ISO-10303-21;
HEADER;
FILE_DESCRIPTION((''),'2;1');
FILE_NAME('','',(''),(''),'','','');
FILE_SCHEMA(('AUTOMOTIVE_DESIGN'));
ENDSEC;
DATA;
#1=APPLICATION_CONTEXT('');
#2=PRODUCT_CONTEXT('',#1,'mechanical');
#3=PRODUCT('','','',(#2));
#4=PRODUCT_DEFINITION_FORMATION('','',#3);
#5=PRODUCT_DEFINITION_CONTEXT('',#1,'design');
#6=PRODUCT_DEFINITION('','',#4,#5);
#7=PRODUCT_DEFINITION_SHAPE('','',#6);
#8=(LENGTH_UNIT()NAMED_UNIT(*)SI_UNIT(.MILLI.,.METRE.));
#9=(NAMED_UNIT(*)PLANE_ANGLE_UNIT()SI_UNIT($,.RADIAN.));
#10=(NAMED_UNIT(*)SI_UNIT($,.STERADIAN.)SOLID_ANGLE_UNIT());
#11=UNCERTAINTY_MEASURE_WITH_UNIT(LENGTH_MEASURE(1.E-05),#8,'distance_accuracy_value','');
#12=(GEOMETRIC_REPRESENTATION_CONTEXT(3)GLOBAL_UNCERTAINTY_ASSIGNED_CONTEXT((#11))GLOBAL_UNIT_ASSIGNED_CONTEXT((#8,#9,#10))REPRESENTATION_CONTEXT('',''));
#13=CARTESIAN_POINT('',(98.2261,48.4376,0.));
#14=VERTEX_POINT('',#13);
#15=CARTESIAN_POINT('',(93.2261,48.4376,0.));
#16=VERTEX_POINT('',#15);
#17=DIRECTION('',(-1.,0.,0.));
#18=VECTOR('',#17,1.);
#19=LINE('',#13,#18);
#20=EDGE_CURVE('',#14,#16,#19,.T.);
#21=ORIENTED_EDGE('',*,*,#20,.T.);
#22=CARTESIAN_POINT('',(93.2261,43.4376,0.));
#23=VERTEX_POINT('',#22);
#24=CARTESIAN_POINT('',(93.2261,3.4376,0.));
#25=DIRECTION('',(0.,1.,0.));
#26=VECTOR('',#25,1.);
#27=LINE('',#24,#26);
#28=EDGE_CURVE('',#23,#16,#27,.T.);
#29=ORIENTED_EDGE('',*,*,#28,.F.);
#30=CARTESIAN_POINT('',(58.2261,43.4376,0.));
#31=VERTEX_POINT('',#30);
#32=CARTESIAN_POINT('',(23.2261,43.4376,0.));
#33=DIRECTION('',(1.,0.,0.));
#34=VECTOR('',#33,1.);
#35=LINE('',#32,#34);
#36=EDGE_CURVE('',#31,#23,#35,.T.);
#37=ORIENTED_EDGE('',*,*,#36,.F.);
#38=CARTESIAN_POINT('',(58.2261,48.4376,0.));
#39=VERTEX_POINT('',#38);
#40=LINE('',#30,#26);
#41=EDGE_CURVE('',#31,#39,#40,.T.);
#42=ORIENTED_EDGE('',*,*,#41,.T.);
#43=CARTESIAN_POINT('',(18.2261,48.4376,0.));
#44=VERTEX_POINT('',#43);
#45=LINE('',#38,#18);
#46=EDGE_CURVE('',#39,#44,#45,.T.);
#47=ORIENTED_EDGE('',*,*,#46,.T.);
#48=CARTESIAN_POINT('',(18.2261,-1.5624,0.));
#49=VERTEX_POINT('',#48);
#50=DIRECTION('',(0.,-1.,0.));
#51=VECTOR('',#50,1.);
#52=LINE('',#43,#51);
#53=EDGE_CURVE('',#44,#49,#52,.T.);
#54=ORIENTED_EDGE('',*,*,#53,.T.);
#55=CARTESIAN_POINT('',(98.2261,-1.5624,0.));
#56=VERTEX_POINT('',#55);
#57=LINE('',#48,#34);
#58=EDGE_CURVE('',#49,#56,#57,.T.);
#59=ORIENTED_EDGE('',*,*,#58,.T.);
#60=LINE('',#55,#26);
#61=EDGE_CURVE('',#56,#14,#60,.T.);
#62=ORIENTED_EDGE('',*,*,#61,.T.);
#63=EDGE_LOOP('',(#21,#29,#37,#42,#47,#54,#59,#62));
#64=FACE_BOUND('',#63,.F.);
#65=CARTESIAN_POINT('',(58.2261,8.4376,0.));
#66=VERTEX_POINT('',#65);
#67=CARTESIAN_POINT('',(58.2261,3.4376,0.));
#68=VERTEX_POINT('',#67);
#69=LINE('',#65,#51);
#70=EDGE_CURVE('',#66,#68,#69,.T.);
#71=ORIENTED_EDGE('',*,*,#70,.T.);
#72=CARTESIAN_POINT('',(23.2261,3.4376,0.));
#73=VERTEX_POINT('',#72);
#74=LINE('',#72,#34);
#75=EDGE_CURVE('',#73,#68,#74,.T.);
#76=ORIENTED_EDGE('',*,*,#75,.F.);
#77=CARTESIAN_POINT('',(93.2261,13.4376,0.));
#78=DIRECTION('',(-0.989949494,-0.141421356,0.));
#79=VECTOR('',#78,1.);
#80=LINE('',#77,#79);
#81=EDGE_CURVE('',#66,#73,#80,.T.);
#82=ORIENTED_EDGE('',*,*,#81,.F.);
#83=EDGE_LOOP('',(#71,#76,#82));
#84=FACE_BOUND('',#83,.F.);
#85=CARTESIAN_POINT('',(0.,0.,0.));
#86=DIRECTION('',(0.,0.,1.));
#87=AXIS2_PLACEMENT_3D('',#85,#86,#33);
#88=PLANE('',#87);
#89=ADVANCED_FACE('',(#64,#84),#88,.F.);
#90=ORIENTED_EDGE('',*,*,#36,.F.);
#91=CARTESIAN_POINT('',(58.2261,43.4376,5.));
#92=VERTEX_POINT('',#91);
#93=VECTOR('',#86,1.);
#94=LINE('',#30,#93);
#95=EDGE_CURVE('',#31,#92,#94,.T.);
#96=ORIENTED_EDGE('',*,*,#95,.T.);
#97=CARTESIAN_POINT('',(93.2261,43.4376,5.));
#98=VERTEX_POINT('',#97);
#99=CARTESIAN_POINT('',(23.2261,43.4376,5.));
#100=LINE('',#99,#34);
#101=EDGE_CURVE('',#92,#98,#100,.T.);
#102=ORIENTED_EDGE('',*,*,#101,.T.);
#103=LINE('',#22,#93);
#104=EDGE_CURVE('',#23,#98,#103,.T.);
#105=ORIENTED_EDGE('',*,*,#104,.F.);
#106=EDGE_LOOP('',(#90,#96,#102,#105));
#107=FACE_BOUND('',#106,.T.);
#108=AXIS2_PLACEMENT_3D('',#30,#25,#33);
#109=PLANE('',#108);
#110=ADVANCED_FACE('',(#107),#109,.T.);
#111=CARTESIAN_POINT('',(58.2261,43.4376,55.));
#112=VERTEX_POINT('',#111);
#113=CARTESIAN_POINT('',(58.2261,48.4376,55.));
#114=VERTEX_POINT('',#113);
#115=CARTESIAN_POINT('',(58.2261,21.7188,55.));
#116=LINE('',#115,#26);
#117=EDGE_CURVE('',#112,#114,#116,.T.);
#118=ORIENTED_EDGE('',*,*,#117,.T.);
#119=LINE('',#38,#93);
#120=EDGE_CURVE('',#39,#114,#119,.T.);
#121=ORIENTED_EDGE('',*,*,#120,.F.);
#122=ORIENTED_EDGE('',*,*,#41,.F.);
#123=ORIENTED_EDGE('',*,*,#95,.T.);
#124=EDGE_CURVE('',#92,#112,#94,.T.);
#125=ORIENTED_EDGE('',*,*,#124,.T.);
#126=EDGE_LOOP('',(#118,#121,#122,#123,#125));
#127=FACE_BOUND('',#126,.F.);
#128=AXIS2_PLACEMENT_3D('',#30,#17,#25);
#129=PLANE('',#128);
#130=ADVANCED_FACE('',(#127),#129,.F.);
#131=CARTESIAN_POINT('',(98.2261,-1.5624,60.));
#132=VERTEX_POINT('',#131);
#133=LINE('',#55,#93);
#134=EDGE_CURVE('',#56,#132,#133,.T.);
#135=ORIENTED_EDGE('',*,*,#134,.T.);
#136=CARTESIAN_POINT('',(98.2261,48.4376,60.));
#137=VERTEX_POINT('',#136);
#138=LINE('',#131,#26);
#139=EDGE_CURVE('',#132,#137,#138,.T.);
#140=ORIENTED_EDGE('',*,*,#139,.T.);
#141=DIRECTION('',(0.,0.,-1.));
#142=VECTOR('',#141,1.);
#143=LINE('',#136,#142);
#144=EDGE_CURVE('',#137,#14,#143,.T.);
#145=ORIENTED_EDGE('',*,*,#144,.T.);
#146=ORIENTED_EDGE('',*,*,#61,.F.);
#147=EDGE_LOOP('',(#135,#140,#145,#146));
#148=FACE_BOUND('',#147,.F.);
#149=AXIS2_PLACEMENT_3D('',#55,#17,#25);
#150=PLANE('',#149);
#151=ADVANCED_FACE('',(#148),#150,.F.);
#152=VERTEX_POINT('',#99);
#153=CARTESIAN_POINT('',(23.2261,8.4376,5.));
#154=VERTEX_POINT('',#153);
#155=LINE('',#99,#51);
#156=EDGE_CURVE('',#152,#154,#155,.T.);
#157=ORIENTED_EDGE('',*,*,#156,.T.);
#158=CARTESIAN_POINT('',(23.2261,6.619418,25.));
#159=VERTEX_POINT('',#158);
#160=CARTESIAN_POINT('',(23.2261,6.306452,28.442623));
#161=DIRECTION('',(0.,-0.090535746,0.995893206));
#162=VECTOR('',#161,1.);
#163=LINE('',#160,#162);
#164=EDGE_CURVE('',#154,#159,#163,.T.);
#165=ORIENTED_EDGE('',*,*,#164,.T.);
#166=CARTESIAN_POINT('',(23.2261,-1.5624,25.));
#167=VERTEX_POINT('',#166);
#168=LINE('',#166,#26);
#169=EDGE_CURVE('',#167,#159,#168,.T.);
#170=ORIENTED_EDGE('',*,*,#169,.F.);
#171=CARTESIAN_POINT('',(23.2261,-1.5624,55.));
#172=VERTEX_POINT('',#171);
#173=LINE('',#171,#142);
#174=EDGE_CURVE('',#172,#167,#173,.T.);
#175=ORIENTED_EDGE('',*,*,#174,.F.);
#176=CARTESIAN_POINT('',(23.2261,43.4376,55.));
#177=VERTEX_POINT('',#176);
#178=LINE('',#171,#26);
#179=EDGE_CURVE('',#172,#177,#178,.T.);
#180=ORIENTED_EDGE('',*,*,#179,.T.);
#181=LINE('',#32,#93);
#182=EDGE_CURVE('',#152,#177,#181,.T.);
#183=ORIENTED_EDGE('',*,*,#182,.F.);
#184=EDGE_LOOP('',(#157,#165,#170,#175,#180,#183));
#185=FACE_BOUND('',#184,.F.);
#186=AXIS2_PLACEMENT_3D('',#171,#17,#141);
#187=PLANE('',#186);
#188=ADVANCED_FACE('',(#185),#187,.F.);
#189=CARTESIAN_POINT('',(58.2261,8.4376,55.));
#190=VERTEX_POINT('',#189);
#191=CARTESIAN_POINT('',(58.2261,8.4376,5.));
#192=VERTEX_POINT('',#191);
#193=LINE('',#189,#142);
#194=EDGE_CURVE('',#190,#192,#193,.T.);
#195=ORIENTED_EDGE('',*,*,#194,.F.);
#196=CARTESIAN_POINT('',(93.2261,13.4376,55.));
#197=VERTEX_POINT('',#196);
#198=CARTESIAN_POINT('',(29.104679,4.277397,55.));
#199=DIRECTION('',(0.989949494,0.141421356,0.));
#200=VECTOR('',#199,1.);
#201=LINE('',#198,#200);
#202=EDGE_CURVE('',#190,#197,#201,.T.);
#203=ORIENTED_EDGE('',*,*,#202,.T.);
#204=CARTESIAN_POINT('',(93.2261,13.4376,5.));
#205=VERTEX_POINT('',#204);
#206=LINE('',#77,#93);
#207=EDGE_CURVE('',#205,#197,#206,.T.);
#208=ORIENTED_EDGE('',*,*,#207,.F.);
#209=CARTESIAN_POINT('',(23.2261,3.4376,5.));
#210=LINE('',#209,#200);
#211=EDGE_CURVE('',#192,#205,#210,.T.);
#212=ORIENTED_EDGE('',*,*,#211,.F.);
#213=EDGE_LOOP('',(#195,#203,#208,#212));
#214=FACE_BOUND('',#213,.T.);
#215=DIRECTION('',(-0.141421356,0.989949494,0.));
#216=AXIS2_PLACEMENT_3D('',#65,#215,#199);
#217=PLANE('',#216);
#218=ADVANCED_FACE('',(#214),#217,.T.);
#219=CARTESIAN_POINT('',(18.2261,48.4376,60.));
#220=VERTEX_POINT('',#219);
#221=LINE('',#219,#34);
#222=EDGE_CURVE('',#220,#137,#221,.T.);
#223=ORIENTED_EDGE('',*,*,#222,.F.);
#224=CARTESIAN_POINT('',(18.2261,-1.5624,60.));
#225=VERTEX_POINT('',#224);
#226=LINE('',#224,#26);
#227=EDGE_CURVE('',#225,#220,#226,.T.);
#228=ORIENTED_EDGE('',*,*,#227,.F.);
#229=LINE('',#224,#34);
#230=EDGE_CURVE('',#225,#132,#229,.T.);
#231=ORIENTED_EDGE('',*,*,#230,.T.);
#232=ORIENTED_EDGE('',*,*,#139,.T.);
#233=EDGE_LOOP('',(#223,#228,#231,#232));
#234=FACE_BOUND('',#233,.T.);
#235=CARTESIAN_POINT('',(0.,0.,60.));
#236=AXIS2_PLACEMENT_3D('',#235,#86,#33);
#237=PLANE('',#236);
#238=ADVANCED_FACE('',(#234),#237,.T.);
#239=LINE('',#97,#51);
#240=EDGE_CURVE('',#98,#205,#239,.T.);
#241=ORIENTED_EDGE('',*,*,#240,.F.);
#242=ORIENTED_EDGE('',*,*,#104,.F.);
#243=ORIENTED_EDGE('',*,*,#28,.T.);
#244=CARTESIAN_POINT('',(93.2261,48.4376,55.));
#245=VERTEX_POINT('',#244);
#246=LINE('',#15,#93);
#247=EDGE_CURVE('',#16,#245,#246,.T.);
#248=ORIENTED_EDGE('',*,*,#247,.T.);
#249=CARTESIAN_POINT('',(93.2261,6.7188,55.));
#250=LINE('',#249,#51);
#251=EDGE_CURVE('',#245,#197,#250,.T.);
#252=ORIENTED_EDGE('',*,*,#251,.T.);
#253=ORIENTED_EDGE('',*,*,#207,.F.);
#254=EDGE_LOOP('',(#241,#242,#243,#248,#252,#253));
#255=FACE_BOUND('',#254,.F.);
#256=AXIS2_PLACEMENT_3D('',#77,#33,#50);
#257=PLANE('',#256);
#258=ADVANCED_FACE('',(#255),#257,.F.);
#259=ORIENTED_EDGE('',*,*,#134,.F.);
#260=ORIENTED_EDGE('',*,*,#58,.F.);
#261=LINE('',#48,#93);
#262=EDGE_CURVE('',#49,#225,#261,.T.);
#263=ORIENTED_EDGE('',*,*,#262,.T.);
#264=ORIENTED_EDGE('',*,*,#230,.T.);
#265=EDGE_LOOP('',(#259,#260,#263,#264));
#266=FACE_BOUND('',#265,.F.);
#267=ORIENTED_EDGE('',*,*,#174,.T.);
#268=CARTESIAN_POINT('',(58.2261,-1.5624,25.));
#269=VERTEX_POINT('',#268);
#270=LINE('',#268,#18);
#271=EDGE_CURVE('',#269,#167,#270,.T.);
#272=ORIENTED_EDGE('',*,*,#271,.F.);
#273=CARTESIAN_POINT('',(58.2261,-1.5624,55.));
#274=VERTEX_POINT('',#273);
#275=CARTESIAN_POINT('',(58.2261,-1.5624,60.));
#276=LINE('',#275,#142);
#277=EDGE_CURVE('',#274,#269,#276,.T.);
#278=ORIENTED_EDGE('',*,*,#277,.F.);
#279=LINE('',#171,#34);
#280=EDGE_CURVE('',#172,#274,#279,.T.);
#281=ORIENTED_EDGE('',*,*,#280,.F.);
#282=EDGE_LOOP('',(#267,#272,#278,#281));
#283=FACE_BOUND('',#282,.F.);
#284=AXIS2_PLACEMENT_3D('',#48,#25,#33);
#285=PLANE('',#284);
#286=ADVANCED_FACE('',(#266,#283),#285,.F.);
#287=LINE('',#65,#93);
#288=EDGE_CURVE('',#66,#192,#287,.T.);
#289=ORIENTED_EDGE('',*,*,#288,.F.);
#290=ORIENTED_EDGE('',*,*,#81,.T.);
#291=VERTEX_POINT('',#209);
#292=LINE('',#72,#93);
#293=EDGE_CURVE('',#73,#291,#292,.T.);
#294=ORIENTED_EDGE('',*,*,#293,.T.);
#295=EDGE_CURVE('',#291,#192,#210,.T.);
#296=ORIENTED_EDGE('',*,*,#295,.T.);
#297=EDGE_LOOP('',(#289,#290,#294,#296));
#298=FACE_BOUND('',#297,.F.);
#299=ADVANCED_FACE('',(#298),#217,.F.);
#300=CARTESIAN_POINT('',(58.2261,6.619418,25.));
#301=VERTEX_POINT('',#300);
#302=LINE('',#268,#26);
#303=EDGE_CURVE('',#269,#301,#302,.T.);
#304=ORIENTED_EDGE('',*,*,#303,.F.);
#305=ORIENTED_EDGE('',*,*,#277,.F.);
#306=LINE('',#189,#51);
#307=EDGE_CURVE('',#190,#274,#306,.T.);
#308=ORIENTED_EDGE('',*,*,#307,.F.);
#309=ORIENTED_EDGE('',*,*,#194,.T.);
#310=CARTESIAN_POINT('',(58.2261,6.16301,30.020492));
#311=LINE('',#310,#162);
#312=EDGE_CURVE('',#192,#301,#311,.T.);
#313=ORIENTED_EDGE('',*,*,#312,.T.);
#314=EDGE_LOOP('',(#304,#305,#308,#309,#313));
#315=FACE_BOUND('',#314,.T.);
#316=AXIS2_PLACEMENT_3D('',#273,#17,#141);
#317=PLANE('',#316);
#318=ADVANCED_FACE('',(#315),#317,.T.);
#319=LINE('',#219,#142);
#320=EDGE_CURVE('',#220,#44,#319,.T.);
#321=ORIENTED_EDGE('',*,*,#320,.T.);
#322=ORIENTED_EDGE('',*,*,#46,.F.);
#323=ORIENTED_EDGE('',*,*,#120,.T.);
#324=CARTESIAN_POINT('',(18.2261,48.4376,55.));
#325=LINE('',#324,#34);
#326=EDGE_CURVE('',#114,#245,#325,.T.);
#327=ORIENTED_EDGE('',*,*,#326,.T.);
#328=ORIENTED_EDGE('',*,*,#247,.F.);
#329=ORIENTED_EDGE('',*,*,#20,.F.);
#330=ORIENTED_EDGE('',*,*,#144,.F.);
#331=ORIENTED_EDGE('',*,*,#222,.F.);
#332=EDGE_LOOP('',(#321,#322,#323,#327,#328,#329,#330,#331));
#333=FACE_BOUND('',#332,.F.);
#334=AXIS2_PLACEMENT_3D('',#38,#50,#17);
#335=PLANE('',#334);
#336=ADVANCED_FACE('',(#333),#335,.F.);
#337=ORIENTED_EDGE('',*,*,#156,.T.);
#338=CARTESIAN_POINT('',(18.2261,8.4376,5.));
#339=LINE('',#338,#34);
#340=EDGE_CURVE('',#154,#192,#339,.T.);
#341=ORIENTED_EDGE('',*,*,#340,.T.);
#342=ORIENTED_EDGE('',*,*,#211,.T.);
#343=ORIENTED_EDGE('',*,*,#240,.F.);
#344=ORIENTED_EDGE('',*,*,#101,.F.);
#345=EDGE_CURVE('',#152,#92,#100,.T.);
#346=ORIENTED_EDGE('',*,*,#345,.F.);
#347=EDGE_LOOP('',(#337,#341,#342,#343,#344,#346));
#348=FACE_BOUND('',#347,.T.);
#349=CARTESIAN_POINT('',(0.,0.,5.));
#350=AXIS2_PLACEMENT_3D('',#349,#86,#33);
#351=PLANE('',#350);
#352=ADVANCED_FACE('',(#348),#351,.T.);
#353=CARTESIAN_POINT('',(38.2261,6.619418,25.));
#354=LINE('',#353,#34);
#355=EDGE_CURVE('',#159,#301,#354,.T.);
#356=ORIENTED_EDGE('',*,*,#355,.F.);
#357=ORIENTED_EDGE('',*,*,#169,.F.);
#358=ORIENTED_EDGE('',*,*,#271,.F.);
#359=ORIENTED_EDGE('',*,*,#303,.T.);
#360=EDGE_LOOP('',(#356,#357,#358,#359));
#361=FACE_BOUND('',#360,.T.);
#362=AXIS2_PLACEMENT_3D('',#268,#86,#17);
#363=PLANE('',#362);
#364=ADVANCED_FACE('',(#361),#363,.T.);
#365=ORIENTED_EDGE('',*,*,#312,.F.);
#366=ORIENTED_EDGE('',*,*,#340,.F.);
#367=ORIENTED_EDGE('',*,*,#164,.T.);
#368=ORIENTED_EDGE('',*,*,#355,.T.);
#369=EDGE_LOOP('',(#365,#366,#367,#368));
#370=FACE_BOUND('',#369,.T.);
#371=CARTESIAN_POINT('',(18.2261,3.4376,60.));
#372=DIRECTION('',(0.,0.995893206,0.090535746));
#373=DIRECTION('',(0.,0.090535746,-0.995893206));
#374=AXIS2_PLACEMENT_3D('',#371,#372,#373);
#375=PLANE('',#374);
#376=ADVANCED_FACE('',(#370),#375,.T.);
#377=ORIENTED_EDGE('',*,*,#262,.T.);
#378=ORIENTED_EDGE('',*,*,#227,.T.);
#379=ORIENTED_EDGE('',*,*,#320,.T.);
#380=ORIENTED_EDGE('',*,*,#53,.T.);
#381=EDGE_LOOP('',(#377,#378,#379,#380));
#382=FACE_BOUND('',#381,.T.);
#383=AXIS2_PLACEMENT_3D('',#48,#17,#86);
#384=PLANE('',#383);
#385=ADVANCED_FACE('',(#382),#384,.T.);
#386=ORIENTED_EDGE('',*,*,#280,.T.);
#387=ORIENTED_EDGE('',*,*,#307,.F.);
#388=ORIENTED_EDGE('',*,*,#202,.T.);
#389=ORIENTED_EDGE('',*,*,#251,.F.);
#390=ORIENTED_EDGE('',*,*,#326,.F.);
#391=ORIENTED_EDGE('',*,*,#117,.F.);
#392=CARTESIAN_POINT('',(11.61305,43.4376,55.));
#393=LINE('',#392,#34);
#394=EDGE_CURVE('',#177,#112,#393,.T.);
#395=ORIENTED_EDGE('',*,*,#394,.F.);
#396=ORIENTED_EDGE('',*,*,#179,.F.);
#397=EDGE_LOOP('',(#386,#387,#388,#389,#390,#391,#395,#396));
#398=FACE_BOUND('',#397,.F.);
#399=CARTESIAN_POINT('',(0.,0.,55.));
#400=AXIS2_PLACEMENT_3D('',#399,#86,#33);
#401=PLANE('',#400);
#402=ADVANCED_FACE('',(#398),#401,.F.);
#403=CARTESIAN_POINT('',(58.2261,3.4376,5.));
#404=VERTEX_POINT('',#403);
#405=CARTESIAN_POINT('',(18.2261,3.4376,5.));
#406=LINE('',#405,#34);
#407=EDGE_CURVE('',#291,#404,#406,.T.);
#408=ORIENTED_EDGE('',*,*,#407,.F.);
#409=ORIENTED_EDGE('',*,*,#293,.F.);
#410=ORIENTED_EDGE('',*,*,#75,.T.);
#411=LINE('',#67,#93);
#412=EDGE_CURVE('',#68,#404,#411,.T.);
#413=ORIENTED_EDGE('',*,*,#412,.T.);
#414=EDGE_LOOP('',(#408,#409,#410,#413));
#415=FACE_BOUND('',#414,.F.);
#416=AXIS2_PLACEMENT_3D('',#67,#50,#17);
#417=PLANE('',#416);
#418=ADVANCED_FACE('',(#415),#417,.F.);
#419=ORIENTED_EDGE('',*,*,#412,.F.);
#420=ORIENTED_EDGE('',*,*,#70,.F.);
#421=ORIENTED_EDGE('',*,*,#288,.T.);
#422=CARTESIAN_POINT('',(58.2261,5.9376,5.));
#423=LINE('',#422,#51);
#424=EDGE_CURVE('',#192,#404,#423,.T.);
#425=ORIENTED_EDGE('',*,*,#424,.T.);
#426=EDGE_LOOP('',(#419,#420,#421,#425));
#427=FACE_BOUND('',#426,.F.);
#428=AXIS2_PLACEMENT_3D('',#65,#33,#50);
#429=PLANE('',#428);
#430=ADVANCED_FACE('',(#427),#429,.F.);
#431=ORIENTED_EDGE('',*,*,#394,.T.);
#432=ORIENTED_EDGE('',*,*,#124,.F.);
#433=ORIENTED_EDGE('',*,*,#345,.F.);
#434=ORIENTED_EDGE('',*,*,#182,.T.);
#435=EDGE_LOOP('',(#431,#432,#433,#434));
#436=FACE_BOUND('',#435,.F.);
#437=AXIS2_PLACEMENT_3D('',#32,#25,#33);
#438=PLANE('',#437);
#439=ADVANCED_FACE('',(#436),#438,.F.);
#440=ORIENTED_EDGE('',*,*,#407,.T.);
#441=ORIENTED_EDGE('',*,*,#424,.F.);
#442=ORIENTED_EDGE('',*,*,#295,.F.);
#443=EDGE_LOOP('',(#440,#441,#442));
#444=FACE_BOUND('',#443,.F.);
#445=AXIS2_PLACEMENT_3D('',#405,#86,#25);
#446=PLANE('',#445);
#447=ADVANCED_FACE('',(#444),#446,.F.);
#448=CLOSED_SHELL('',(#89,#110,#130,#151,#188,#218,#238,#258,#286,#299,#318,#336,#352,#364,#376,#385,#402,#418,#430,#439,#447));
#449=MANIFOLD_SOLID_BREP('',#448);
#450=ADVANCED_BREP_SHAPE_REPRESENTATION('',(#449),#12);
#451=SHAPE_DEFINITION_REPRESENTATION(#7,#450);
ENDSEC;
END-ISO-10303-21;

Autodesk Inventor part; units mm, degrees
ref_plane "YZ Plane" through (0, 0, 0) normal (1, 0, 0) x (0, 1, 0)
ref_plane "XZ Plane" through (0, 0, 0) normal (0, 1, 0) x (-1, 0, 0)
ref_plane "XY Plane" through (0, 0, 0) normal (0, 0, 1) x (1, 0, 0)
sketch "Sketch1" plane through (0, 0, 0) normal (0, 0, 1) x (1, 0, 0)
  line L0 (23.2261, 43.4376) -> (23.2261, 3.4376)
  line L1 (23.2261, 43.4376) -> (93.2261, 43.4376)
  line L2 (93.2261, 43.4376) -> (93.2261, 3.4376)
  line L3 (93.2261, 3.4376) -> (23.2261, 3.4376)
  line L4 (23.2261, 3.4376) -> (93.2261, 13.4376)
  line L5 (58.2261, 8.4376) -> (58.2261, 3.4376)
  line L6 (98.2261, 48.4376) -> (18.2261, 48.4376)
  line L7 (18.2261, 48.4376) -> (18.2261, -1.5624)
  line L8 (18.2261, -1.5624) -> (98.2261, -1.5624)
  line L9 (98.2261, -1.5624) -> (98.2261, 48.4376)
  line L10 (23.2261, 43.4376) -> (23.2261, 48.4376)
  line L11 (93.2261, 43.4376) -> (93.2261, 48.4376)
  line L12 (58.2261, 43.4376) -> (58.2261, 48.4376)
  point P0 (0, 0)
  dimension "d0" = 40
  dimension "d1" = 70
  dimension "d2" = 10
  dimension "d4" = 5
  dimension "d5" = 5
  dimension "d16" = 35
extrude "Extrusion1" add sketch "Sketch1" along normal blind 60 contours L10 L6 L12 L1 | L0 L3 L2 L11 L6 L9 L8 L7 L10
extrude "Extrusion2" add sketch "Sketch1" along normal blind 5 contours L1 L2 L4 L0
extrude "Extrusion3" add sketch "Sketch1" along normal blind 60 contours L5 L4 L2 L3
sketch "Sketch2" plane through (18.2261, -1.5624, 0) normal (-1, 0, 0) x (0, 0, 1)
  line L0 (60, 0) -> (60, 50) projected
  line L1 (60, 0) -> (60, 5)
  line L2 (5, 10) -> (60, 10) projected
  line L3 (60, 5) -> (5, 10)
  line L4 (5, 5) -> (5, 45) projected
  line L5 (5, 5) -> (5, 10)
  line L6 (5, 5) -> (60, 5)
  point P0 (0, 1.5624)
  dimension "d12" = 5
extrude "Extrusion4" add sketch "Sketch2" against normal blind 45 contours L6 L4 L3
sketch "Sketch3" plane through (0, 0, 60) normal (0, 0, 1) x (1, 0, 0)
  line L0 (18.2261, 48.4376) -> (18.2261, -1.5624) projected
  line L1 (18.2261, -1.5624) -> (98.2261, -1.5624) projected
  line L2 (18.2261, 48.4376) -> (98.2261, 48.4376)
  line L3 (98.2261, 48.4376) -> (98.2261, -1.5624)
  line L4 (98.2261, -1.5624) -> (18.2261, -1.5624)
  line L5 (18.2261, -1.5624) -> (18.2261, 48.4376)
  point P0 (0, 0)
extrude "Extrusion5" add sketch "Sketch3" against normal blind 5
sketch "Sketch4" plane through (18.2261, -1.5624, 0) normal (0, -1, 0) x (1, 0, 0)
  line L0 (0, 0) -> (0, 60) projected
  line L1 (0, 60) -> (40, 60)
  line L2 (40, 60) -> (40, 25)
  line L3 (40, 25) -> (0, 25)
  line L4 (0, 25) -> (0, 60)
  line L5 (5, 55) -> (5, 5) projected
  line L6 (5, 25) -> (5, 55)
  line L7 (5, 55) -> (40, 55)
  point P0 (-18.2261, 0)
  point P1 (0, 25)
  dimension "d19" = 40
  dimension "d20" = 35
extrude "Extrusion6" cut sketch "Sketch4" against normal blind 10 contours L5 L7 L2 L3
properties part number "leftcollection"
